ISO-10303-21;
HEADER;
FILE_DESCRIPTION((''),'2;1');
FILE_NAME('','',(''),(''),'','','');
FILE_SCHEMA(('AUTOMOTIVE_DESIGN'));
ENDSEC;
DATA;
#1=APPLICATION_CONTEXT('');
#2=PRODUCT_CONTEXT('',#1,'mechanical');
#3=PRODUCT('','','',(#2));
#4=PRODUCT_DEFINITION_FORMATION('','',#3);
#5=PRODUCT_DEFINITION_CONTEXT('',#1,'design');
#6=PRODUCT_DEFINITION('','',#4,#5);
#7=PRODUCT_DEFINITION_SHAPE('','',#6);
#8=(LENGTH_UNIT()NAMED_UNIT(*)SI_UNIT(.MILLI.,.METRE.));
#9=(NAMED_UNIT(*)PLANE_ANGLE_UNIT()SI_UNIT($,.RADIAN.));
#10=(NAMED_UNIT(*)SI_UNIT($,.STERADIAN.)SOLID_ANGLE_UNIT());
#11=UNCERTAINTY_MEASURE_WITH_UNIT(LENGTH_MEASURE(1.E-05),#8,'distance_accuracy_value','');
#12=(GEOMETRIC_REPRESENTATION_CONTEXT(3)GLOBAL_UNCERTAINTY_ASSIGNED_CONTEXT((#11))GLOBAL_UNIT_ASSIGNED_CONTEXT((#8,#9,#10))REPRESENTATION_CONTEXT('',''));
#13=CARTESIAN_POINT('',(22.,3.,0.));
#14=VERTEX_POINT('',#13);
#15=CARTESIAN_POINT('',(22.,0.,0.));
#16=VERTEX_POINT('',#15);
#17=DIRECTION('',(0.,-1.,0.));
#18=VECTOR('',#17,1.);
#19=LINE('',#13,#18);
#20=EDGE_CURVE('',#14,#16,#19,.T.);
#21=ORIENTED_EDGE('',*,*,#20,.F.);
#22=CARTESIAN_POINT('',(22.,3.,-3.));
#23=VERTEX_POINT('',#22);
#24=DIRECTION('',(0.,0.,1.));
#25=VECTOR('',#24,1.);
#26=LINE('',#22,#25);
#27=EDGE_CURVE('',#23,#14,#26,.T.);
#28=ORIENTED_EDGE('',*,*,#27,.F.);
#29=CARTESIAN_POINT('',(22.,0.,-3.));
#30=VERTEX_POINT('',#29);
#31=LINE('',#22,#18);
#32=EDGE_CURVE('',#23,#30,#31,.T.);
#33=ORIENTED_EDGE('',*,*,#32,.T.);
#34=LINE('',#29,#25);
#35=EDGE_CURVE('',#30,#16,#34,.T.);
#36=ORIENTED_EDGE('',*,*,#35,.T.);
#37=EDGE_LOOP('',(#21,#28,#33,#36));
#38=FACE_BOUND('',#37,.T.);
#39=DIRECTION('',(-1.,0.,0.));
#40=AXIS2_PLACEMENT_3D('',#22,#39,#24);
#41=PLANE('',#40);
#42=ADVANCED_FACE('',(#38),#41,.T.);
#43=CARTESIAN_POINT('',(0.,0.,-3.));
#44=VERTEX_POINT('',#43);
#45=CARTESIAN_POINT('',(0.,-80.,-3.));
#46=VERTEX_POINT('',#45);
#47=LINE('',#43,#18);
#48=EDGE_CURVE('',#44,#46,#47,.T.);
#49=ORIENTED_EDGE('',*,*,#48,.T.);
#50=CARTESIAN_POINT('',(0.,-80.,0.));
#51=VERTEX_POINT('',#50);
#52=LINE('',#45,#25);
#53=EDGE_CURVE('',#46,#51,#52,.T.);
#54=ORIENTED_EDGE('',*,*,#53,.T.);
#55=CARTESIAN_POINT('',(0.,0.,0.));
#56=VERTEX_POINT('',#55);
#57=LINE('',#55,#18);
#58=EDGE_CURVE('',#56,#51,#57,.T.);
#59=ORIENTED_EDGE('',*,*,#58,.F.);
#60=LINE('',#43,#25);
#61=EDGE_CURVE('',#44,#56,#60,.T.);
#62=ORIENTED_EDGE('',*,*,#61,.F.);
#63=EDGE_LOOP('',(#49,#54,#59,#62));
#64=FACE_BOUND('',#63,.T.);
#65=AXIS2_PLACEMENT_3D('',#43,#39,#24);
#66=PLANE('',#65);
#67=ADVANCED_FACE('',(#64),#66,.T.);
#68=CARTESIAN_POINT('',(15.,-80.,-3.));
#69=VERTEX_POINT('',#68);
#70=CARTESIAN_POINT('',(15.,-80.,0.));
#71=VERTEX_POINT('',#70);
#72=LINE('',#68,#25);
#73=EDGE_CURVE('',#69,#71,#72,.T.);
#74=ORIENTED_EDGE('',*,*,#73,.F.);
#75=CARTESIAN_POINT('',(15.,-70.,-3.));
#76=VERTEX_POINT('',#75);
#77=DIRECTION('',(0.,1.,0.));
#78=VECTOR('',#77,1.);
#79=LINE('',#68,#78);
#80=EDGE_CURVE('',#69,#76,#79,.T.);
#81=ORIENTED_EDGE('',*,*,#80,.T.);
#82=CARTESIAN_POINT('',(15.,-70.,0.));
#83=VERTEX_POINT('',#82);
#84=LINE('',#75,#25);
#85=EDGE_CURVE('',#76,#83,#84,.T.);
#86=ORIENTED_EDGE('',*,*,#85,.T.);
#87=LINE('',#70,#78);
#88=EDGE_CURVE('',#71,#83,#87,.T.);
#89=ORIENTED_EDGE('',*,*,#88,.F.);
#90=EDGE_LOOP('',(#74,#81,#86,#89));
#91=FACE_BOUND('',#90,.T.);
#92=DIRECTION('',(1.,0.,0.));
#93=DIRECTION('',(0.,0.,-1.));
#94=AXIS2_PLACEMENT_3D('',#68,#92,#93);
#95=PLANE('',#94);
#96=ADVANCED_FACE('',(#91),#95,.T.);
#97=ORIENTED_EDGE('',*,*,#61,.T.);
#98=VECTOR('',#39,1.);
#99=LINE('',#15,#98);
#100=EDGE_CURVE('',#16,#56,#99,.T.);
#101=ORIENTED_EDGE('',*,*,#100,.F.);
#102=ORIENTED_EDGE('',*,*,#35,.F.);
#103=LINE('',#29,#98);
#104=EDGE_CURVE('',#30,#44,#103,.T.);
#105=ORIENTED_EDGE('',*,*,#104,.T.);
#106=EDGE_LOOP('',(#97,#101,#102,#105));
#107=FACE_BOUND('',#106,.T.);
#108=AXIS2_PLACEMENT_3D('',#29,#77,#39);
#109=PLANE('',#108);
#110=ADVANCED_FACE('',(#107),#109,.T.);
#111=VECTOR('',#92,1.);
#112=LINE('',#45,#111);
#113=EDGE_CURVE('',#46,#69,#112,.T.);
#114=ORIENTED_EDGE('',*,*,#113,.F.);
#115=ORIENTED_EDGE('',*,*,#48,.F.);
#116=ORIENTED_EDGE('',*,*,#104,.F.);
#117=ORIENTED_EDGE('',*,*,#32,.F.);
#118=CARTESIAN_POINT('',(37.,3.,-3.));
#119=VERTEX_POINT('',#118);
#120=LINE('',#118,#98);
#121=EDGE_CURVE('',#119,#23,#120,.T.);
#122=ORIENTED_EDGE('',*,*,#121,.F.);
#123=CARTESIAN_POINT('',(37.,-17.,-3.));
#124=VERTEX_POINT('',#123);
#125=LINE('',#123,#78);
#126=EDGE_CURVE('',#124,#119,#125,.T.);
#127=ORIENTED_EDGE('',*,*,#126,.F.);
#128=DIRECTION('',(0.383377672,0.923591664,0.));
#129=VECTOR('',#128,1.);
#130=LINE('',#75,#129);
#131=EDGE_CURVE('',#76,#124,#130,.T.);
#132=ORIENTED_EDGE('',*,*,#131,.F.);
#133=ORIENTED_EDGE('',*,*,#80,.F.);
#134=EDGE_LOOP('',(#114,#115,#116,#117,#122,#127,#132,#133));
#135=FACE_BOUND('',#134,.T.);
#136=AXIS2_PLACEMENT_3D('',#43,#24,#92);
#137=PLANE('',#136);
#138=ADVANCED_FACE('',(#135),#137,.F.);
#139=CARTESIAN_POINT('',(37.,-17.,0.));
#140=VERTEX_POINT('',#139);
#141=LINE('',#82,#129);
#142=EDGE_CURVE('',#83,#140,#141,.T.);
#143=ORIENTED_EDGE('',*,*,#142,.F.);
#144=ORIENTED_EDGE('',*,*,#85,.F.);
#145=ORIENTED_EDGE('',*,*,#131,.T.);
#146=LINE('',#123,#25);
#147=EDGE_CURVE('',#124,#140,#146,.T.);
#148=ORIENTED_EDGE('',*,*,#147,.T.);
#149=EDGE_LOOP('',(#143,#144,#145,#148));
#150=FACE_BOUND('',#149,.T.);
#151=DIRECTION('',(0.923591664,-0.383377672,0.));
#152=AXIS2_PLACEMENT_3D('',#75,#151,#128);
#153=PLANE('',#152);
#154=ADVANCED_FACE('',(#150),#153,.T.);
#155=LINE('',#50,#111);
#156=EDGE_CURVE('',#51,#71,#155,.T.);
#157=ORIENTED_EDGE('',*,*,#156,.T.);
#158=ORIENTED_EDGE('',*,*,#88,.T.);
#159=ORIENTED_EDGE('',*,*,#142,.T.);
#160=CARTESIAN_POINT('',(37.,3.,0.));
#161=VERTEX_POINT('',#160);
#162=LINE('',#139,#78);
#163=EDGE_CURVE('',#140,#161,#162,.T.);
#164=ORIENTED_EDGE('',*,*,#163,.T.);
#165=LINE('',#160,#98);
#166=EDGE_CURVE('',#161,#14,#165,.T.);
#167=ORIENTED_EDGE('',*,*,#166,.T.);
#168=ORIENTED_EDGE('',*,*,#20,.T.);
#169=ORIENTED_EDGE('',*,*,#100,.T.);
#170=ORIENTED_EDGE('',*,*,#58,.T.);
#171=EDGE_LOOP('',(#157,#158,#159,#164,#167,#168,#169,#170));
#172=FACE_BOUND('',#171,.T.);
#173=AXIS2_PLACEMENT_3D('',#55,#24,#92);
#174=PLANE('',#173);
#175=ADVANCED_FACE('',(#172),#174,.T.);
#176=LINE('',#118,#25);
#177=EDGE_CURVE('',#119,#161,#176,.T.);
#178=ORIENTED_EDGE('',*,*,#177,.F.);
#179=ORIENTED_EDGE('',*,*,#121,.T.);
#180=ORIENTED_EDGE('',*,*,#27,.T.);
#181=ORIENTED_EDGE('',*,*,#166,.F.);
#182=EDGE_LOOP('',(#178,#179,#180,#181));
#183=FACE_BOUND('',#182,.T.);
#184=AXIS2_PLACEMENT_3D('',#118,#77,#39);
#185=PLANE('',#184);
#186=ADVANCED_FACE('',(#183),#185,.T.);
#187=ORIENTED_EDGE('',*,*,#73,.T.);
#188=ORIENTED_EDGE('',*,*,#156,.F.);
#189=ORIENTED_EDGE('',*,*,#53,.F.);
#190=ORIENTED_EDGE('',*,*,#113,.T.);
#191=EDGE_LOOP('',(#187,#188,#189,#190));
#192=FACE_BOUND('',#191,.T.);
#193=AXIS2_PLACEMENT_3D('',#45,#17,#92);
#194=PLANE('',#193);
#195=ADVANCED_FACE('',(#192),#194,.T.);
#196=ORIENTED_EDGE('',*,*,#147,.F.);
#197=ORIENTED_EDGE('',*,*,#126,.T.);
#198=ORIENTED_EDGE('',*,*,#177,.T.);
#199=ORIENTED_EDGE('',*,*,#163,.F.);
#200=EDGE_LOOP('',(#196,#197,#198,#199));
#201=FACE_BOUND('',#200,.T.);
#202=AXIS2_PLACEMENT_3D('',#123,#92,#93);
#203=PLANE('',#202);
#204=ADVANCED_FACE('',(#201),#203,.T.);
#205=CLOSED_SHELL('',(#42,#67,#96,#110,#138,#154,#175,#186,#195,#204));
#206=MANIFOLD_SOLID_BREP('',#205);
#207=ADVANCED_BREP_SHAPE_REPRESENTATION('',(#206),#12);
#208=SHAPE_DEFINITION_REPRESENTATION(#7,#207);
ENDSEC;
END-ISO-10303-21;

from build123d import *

# Parameters (mm, degrees)
EXTRUDE_1_DEPTH = 3


with BuildPart() as part:
    # 草图1 → 凸台-拉伸1 (new body)
    with BuildSketch(Plane.XY):
        Polygon((0, -80), (15, -80), (15, -70), (37, -17), (37, 3), (22, 3), (22, 0), (0, 0), align=None)
    extrude(amount=-EXTRUDE_1_DEPTH)


solid = part.part
